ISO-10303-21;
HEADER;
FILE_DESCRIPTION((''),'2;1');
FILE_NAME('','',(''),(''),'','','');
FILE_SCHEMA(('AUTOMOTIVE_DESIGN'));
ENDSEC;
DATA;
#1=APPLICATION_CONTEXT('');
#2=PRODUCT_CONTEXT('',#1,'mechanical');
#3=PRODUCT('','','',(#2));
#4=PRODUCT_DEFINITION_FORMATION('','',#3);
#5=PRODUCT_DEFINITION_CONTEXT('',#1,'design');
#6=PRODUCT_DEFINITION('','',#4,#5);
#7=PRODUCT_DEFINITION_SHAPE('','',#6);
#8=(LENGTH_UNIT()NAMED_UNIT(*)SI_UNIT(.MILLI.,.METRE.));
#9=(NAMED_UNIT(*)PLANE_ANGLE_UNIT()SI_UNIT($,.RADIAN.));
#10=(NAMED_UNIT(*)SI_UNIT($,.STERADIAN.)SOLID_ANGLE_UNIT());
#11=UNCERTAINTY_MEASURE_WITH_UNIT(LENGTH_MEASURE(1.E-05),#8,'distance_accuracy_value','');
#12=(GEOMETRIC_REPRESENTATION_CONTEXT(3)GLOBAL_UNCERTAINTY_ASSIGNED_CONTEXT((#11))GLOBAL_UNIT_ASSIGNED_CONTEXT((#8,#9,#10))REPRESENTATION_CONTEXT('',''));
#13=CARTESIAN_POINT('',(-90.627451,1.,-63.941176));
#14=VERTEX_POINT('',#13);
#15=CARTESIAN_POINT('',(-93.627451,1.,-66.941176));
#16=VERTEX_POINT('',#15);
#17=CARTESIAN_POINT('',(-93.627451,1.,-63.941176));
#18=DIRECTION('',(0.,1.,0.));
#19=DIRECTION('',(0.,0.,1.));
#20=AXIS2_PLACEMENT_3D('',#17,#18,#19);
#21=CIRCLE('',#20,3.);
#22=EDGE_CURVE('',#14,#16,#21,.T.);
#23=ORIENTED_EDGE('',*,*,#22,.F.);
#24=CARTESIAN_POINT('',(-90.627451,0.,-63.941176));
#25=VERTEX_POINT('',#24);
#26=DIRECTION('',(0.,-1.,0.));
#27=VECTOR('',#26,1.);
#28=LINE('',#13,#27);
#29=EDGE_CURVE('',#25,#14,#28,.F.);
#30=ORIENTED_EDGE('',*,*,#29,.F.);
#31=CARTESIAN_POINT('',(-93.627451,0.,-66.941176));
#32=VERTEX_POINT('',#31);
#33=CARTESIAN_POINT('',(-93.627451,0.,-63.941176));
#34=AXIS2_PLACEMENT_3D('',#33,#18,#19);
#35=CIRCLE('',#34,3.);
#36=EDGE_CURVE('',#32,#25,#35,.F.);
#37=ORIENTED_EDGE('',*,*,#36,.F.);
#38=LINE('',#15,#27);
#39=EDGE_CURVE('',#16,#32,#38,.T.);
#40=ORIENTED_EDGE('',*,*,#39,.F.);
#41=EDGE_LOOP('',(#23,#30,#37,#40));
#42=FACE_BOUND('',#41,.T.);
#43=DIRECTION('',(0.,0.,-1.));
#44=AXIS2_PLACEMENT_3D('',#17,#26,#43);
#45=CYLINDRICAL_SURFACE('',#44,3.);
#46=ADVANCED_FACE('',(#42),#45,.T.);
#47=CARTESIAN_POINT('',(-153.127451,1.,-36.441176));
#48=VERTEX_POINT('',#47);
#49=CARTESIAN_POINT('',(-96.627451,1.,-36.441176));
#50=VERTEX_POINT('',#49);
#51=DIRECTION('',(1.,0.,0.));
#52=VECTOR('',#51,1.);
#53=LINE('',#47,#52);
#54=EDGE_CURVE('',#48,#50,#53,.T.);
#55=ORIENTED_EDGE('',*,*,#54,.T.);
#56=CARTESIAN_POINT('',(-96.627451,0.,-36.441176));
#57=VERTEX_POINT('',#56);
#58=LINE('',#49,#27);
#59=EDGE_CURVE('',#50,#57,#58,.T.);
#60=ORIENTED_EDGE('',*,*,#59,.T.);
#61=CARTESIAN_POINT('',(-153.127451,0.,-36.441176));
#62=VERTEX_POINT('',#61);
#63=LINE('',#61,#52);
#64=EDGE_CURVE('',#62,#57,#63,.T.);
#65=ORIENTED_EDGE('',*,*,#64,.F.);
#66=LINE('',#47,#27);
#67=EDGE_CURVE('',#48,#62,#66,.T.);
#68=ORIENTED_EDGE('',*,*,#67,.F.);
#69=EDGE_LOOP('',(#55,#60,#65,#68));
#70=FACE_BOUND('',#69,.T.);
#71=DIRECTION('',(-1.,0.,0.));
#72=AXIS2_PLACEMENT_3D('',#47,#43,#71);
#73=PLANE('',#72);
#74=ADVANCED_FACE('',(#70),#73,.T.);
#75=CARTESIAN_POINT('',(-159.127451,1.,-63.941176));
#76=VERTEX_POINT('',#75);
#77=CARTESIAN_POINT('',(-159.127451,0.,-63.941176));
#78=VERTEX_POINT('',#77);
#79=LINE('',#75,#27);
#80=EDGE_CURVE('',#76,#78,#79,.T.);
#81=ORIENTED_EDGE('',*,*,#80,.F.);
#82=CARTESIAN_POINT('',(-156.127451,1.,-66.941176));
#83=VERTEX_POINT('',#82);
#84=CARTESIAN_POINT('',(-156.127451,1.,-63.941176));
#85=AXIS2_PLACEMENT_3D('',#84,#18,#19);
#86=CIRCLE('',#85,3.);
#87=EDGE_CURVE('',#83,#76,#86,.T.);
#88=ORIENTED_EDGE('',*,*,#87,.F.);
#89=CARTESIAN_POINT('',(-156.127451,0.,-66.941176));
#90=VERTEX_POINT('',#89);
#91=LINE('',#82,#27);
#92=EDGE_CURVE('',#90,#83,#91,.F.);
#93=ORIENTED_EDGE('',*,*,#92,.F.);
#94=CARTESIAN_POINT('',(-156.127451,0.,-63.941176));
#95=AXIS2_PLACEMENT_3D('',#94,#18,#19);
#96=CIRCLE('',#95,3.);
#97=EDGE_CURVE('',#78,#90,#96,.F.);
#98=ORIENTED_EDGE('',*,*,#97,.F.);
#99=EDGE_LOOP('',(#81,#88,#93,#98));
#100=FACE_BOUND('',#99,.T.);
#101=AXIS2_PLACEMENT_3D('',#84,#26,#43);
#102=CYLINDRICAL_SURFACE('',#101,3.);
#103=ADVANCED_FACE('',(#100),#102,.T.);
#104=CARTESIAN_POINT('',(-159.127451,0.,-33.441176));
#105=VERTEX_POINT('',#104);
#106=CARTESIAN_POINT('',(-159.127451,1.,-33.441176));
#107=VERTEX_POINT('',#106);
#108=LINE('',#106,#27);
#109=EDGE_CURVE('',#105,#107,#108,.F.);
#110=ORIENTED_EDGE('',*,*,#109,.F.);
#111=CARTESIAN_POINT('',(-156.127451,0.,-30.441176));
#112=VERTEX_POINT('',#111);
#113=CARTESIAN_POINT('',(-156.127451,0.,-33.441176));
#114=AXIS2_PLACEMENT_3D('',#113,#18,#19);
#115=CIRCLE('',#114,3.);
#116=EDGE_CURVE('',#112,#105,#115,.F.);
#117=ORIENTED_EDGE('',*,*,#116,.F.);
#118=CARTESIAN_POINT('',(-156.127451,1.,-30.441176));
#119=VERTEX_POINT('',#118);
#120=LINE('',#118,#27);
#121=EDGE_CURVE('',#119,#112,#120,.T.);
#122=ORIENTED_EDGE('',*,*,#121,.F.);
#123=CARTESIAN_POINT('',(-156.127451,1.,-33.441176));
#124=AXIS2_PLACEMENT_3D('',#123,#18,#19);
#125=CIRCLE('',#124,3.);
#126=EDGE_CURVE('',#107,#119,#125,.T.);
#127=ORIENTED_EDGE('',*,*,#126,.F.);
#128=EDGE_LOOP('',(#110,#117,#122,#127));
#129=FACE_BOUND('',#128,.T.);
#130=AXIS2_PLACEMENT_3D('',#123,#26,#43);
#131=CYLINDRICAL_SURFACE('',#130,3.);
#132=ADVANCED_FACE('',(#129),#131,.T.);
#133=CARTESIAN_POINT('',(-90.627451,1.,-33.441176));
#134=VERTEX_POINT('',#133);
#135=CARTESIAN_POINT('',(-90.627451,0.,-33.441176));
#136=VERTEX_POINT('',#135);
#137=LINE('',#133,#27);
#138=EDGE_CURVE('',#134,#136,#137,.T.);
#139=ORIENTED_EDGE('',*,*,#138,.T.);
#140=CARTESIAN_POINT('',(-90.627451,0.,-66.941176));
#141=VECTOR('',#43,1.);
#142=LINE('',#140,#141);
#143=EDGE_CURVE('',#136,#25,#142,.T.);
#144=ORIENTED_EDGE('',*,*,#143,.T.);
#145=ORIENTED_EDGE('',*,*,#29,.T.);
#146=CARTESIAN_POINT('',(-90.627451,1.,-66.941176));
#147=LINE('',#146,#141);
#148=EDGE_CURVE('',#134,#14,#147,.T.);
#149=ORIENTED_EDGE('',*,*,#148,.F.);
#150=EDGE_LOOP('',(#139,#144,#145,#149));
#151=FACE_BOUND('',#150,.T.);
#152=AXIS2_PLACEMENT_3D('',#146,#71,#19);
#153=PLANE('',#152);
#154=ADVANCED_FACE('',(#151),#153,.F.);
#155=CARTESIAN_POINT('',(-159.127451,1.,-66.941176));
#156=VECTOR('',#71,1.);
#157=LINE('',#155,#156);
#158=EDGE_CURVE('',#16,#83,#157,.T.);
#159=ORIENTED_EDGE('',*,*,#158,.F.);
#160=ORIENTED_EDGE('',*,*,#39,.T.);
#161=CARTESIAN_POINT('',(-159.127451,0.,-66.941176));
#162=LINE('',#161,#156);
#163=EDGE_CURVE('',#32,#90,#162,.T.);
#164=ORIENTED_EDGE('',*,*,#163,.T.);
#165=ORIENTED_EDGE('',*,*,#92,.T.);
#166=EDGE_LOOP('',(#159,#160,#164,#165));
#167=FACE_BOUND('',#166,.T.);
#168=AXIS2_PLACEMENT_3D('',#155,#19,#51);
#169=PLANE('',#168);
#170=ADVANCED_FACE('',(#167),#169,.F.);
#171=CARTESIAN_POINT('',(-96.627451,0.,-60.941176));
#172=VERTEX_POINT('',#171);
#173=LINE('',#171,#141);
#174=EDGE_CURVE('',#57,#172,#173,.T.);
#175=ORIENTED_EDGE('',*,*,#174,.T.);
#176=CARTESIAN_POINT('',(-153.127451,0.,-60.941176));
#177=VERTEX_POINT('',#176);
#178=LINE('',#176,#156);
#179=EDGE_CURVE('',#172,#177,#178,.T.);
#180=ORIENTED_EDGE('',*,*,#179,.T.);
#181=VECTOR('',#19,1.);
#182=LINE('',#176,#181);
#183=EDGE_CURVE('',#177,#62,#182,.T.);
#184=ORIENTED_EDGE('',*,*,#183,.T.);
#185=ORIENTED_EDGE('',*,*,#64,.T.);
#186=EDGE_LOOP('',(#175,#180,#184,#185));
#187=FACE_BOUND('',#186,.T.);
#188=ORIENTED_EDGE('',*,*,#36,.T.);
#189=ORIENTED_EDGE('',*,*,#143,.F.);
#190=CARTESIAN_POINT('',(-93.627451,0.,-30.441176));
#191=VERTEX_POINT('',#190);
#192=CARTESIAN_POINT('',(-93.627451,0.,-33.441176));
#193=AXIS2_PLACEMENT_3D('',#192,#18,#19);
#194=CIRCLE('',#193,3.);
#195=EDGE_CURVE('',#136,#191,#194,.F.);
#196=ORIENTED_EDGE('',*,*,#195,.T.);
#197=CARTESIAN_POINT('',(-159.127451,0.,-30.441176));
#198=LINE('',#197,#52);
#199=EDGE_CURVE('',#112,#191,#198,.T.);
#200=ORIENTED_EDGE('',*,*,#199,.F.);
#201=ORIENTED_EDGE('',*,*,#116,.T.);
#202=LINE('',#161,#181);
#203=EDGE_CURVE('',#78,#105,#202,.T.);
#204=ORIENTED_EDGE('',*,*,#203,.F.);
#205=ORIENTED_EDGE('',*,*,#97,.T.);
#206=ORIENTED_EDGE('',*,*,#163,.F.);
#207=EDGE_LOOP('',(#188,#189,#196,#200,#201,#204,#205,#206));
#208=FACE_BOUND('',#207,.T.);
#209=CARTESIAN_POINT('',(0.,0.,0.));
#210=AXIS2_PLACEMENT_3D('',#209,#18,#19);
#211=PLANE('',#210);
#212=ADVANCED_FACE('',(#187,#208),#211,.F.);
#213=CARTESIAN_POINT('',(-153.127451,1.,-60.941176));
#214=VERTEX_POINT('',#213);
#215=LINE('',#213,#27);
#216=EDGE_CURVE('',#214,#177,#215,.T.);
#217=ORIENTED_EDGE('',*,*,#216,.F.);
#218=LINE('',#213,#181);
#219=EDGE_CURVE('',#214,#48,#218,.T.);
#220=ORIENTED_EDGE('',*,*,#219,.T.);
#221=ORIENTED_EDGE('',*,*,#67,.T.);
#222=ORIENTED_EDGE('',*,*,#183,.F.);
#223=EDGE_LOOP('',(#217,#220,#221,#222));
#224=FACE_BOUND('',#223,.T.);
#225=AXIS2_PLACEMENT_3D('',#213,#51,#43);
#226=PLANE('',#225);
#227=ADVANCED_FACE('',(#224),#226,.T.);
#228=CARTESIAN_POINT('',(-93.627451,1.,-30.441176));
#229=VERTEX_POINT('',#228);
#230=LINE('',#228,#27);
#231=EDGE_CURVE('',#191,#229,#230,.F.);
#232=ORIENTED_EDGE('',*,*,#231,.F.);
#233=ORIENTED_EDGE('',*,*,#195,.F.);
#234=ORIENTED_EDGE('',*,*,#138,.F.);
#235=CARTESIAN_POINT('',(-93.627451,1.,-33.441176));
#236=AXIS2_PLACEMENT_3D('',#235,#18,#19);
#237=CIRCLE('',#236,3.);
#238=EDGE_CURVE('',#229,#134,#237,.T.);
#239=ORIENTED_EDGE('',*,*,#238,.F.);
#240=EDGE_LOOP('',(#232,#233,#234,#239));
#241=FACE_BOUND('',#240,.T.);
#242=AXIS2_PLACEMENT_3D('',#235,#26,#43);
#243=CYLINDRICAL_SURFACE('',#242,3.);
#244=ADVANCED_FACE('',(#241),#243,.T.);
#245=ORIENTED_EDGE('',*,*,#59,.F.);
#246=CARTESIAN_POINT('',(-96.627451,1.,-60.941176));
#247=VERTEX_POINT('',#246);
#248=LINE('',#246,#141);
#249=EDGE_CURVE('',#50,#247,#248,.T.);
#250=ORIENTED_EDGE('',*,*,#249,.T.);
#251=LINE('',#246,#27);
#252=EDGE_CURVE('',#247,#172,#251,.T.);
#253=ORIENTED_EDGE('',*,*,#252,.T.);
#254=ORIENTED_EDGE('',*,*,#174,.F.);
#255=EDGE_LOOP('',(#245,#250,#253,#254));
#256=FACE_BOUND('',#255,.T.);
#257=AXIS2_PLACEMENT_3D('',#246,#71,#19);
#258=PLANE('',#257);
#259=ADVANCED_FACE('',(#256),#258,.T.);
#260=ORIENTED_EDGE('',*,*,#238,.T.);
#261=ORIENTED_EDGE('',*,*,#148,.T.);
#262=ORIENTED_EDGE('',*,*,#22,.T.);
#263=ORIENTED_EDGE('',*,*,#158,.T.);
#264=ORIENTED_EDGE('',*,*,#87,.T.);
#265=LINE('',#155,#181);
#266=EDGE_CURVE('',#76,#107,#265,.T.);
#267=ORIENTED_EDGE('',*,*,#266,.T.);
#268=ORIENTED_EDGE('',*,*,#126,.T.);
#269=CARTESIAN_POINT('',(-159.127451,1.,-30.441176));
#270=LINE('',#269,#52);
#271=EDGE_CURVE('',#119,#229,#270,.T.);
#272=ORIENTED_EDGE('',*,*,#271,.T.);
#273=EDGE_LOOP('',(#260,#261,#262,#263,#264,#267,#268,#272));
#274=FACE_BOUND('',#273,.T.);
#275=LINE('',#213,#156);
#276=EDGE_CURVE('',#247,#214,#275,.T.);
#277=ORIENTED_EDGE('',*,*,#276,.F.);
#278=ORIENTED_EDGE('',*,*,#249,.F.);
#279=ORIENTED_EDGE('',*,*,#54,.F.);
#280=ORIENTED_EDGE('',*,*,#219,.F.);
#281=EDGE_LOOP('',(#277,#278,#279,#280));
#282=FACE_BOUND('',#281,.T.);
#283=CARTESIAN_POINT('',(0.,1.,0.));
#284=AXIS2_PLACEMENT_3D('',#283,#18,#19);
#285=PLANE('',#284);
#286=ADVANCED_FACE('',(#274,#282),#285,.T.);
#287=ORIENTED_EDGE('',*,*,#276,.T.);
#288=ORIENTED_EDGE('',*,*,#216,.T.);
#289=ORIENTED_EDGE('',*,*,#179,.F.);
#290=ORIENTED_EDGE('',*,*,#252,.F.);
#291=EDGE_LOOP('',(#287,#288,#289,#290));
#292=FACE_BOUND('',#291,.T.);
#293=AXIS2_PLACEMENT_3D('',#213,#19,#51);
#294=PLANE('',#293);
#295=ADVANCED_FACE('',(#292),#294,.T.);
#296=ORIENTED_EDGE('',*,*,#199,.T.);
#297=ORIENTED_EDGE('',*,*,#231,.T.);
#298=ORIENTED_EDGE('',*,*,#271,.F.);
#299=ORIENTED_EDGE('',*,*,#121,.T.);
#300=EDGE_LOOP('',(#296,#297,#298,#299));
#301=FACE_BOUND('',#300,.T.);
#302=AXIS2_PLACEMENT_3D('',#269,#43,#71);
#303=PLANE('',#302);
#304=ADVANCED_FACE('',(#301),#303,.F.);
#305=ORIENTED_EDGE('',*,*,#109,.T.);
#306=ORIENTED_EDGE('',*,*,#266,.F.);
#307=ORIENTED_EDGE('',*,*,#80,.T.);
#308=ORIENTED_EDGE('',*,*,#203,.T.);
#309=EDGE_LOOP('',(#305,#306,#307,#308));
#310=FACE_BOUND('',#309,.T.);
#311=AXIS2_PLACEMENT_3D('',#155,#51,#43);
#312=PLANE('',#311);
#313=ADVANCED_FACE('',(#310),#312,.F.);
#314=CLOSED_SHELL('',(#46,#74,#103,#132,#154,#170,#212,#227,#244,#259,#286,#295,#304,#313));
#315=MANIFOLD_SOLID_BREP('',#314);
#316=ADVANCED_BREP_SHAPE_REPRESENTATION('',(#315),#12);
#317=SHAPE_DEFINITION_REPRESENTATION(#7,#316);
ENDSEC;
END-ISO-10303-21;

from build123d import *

# Parameters (mm, degrees)
SKETCH_1_W      = 68.5
SKETCH_1_H      = 36.5
SKETCH_1_W_2    = 56.5
SKETCH_1_H_2    = 24.5
EXTRUDE_1_DEPTH = 1
FILLET_1_R      = 3


with BuildPart() as part:
    # 草图1 → 凸台-拉伸1 (new body)
    with BuildSketch(Plane(origin=(0, 0, 0), x_dir=(1, 0, 0), z_dir=(0, 1, 0))):
        with Locations((-124.87745098, 48.691176471)):
            Rectangle(SKETCH_1_W, SKETCH_1_H)
        with Locations((-124.87745098, 48.691176471)):
            Rectangle(SKETCH_1_W_2, SKETCH_1_H_2, mode=Mode.SUBTRACT)
    extrude(amount=EXTRUDE_1_DEPTH)

    # 圆角1
    fillet_1_edges = [part.edges().sort_by_distance(p)[0] for p in [
        (-159.12745098, 0.5, -66.941176471),
        (-90.62745098, 0.5, -66.941176471),
        (-90.62745098, 0.5, -30.441176471),
        (-159.12745098, 0.5, -30.441176471),
    ]]
    fillet(fillet_1_edges, radius=FILLET_1_R)


solid = part.part
